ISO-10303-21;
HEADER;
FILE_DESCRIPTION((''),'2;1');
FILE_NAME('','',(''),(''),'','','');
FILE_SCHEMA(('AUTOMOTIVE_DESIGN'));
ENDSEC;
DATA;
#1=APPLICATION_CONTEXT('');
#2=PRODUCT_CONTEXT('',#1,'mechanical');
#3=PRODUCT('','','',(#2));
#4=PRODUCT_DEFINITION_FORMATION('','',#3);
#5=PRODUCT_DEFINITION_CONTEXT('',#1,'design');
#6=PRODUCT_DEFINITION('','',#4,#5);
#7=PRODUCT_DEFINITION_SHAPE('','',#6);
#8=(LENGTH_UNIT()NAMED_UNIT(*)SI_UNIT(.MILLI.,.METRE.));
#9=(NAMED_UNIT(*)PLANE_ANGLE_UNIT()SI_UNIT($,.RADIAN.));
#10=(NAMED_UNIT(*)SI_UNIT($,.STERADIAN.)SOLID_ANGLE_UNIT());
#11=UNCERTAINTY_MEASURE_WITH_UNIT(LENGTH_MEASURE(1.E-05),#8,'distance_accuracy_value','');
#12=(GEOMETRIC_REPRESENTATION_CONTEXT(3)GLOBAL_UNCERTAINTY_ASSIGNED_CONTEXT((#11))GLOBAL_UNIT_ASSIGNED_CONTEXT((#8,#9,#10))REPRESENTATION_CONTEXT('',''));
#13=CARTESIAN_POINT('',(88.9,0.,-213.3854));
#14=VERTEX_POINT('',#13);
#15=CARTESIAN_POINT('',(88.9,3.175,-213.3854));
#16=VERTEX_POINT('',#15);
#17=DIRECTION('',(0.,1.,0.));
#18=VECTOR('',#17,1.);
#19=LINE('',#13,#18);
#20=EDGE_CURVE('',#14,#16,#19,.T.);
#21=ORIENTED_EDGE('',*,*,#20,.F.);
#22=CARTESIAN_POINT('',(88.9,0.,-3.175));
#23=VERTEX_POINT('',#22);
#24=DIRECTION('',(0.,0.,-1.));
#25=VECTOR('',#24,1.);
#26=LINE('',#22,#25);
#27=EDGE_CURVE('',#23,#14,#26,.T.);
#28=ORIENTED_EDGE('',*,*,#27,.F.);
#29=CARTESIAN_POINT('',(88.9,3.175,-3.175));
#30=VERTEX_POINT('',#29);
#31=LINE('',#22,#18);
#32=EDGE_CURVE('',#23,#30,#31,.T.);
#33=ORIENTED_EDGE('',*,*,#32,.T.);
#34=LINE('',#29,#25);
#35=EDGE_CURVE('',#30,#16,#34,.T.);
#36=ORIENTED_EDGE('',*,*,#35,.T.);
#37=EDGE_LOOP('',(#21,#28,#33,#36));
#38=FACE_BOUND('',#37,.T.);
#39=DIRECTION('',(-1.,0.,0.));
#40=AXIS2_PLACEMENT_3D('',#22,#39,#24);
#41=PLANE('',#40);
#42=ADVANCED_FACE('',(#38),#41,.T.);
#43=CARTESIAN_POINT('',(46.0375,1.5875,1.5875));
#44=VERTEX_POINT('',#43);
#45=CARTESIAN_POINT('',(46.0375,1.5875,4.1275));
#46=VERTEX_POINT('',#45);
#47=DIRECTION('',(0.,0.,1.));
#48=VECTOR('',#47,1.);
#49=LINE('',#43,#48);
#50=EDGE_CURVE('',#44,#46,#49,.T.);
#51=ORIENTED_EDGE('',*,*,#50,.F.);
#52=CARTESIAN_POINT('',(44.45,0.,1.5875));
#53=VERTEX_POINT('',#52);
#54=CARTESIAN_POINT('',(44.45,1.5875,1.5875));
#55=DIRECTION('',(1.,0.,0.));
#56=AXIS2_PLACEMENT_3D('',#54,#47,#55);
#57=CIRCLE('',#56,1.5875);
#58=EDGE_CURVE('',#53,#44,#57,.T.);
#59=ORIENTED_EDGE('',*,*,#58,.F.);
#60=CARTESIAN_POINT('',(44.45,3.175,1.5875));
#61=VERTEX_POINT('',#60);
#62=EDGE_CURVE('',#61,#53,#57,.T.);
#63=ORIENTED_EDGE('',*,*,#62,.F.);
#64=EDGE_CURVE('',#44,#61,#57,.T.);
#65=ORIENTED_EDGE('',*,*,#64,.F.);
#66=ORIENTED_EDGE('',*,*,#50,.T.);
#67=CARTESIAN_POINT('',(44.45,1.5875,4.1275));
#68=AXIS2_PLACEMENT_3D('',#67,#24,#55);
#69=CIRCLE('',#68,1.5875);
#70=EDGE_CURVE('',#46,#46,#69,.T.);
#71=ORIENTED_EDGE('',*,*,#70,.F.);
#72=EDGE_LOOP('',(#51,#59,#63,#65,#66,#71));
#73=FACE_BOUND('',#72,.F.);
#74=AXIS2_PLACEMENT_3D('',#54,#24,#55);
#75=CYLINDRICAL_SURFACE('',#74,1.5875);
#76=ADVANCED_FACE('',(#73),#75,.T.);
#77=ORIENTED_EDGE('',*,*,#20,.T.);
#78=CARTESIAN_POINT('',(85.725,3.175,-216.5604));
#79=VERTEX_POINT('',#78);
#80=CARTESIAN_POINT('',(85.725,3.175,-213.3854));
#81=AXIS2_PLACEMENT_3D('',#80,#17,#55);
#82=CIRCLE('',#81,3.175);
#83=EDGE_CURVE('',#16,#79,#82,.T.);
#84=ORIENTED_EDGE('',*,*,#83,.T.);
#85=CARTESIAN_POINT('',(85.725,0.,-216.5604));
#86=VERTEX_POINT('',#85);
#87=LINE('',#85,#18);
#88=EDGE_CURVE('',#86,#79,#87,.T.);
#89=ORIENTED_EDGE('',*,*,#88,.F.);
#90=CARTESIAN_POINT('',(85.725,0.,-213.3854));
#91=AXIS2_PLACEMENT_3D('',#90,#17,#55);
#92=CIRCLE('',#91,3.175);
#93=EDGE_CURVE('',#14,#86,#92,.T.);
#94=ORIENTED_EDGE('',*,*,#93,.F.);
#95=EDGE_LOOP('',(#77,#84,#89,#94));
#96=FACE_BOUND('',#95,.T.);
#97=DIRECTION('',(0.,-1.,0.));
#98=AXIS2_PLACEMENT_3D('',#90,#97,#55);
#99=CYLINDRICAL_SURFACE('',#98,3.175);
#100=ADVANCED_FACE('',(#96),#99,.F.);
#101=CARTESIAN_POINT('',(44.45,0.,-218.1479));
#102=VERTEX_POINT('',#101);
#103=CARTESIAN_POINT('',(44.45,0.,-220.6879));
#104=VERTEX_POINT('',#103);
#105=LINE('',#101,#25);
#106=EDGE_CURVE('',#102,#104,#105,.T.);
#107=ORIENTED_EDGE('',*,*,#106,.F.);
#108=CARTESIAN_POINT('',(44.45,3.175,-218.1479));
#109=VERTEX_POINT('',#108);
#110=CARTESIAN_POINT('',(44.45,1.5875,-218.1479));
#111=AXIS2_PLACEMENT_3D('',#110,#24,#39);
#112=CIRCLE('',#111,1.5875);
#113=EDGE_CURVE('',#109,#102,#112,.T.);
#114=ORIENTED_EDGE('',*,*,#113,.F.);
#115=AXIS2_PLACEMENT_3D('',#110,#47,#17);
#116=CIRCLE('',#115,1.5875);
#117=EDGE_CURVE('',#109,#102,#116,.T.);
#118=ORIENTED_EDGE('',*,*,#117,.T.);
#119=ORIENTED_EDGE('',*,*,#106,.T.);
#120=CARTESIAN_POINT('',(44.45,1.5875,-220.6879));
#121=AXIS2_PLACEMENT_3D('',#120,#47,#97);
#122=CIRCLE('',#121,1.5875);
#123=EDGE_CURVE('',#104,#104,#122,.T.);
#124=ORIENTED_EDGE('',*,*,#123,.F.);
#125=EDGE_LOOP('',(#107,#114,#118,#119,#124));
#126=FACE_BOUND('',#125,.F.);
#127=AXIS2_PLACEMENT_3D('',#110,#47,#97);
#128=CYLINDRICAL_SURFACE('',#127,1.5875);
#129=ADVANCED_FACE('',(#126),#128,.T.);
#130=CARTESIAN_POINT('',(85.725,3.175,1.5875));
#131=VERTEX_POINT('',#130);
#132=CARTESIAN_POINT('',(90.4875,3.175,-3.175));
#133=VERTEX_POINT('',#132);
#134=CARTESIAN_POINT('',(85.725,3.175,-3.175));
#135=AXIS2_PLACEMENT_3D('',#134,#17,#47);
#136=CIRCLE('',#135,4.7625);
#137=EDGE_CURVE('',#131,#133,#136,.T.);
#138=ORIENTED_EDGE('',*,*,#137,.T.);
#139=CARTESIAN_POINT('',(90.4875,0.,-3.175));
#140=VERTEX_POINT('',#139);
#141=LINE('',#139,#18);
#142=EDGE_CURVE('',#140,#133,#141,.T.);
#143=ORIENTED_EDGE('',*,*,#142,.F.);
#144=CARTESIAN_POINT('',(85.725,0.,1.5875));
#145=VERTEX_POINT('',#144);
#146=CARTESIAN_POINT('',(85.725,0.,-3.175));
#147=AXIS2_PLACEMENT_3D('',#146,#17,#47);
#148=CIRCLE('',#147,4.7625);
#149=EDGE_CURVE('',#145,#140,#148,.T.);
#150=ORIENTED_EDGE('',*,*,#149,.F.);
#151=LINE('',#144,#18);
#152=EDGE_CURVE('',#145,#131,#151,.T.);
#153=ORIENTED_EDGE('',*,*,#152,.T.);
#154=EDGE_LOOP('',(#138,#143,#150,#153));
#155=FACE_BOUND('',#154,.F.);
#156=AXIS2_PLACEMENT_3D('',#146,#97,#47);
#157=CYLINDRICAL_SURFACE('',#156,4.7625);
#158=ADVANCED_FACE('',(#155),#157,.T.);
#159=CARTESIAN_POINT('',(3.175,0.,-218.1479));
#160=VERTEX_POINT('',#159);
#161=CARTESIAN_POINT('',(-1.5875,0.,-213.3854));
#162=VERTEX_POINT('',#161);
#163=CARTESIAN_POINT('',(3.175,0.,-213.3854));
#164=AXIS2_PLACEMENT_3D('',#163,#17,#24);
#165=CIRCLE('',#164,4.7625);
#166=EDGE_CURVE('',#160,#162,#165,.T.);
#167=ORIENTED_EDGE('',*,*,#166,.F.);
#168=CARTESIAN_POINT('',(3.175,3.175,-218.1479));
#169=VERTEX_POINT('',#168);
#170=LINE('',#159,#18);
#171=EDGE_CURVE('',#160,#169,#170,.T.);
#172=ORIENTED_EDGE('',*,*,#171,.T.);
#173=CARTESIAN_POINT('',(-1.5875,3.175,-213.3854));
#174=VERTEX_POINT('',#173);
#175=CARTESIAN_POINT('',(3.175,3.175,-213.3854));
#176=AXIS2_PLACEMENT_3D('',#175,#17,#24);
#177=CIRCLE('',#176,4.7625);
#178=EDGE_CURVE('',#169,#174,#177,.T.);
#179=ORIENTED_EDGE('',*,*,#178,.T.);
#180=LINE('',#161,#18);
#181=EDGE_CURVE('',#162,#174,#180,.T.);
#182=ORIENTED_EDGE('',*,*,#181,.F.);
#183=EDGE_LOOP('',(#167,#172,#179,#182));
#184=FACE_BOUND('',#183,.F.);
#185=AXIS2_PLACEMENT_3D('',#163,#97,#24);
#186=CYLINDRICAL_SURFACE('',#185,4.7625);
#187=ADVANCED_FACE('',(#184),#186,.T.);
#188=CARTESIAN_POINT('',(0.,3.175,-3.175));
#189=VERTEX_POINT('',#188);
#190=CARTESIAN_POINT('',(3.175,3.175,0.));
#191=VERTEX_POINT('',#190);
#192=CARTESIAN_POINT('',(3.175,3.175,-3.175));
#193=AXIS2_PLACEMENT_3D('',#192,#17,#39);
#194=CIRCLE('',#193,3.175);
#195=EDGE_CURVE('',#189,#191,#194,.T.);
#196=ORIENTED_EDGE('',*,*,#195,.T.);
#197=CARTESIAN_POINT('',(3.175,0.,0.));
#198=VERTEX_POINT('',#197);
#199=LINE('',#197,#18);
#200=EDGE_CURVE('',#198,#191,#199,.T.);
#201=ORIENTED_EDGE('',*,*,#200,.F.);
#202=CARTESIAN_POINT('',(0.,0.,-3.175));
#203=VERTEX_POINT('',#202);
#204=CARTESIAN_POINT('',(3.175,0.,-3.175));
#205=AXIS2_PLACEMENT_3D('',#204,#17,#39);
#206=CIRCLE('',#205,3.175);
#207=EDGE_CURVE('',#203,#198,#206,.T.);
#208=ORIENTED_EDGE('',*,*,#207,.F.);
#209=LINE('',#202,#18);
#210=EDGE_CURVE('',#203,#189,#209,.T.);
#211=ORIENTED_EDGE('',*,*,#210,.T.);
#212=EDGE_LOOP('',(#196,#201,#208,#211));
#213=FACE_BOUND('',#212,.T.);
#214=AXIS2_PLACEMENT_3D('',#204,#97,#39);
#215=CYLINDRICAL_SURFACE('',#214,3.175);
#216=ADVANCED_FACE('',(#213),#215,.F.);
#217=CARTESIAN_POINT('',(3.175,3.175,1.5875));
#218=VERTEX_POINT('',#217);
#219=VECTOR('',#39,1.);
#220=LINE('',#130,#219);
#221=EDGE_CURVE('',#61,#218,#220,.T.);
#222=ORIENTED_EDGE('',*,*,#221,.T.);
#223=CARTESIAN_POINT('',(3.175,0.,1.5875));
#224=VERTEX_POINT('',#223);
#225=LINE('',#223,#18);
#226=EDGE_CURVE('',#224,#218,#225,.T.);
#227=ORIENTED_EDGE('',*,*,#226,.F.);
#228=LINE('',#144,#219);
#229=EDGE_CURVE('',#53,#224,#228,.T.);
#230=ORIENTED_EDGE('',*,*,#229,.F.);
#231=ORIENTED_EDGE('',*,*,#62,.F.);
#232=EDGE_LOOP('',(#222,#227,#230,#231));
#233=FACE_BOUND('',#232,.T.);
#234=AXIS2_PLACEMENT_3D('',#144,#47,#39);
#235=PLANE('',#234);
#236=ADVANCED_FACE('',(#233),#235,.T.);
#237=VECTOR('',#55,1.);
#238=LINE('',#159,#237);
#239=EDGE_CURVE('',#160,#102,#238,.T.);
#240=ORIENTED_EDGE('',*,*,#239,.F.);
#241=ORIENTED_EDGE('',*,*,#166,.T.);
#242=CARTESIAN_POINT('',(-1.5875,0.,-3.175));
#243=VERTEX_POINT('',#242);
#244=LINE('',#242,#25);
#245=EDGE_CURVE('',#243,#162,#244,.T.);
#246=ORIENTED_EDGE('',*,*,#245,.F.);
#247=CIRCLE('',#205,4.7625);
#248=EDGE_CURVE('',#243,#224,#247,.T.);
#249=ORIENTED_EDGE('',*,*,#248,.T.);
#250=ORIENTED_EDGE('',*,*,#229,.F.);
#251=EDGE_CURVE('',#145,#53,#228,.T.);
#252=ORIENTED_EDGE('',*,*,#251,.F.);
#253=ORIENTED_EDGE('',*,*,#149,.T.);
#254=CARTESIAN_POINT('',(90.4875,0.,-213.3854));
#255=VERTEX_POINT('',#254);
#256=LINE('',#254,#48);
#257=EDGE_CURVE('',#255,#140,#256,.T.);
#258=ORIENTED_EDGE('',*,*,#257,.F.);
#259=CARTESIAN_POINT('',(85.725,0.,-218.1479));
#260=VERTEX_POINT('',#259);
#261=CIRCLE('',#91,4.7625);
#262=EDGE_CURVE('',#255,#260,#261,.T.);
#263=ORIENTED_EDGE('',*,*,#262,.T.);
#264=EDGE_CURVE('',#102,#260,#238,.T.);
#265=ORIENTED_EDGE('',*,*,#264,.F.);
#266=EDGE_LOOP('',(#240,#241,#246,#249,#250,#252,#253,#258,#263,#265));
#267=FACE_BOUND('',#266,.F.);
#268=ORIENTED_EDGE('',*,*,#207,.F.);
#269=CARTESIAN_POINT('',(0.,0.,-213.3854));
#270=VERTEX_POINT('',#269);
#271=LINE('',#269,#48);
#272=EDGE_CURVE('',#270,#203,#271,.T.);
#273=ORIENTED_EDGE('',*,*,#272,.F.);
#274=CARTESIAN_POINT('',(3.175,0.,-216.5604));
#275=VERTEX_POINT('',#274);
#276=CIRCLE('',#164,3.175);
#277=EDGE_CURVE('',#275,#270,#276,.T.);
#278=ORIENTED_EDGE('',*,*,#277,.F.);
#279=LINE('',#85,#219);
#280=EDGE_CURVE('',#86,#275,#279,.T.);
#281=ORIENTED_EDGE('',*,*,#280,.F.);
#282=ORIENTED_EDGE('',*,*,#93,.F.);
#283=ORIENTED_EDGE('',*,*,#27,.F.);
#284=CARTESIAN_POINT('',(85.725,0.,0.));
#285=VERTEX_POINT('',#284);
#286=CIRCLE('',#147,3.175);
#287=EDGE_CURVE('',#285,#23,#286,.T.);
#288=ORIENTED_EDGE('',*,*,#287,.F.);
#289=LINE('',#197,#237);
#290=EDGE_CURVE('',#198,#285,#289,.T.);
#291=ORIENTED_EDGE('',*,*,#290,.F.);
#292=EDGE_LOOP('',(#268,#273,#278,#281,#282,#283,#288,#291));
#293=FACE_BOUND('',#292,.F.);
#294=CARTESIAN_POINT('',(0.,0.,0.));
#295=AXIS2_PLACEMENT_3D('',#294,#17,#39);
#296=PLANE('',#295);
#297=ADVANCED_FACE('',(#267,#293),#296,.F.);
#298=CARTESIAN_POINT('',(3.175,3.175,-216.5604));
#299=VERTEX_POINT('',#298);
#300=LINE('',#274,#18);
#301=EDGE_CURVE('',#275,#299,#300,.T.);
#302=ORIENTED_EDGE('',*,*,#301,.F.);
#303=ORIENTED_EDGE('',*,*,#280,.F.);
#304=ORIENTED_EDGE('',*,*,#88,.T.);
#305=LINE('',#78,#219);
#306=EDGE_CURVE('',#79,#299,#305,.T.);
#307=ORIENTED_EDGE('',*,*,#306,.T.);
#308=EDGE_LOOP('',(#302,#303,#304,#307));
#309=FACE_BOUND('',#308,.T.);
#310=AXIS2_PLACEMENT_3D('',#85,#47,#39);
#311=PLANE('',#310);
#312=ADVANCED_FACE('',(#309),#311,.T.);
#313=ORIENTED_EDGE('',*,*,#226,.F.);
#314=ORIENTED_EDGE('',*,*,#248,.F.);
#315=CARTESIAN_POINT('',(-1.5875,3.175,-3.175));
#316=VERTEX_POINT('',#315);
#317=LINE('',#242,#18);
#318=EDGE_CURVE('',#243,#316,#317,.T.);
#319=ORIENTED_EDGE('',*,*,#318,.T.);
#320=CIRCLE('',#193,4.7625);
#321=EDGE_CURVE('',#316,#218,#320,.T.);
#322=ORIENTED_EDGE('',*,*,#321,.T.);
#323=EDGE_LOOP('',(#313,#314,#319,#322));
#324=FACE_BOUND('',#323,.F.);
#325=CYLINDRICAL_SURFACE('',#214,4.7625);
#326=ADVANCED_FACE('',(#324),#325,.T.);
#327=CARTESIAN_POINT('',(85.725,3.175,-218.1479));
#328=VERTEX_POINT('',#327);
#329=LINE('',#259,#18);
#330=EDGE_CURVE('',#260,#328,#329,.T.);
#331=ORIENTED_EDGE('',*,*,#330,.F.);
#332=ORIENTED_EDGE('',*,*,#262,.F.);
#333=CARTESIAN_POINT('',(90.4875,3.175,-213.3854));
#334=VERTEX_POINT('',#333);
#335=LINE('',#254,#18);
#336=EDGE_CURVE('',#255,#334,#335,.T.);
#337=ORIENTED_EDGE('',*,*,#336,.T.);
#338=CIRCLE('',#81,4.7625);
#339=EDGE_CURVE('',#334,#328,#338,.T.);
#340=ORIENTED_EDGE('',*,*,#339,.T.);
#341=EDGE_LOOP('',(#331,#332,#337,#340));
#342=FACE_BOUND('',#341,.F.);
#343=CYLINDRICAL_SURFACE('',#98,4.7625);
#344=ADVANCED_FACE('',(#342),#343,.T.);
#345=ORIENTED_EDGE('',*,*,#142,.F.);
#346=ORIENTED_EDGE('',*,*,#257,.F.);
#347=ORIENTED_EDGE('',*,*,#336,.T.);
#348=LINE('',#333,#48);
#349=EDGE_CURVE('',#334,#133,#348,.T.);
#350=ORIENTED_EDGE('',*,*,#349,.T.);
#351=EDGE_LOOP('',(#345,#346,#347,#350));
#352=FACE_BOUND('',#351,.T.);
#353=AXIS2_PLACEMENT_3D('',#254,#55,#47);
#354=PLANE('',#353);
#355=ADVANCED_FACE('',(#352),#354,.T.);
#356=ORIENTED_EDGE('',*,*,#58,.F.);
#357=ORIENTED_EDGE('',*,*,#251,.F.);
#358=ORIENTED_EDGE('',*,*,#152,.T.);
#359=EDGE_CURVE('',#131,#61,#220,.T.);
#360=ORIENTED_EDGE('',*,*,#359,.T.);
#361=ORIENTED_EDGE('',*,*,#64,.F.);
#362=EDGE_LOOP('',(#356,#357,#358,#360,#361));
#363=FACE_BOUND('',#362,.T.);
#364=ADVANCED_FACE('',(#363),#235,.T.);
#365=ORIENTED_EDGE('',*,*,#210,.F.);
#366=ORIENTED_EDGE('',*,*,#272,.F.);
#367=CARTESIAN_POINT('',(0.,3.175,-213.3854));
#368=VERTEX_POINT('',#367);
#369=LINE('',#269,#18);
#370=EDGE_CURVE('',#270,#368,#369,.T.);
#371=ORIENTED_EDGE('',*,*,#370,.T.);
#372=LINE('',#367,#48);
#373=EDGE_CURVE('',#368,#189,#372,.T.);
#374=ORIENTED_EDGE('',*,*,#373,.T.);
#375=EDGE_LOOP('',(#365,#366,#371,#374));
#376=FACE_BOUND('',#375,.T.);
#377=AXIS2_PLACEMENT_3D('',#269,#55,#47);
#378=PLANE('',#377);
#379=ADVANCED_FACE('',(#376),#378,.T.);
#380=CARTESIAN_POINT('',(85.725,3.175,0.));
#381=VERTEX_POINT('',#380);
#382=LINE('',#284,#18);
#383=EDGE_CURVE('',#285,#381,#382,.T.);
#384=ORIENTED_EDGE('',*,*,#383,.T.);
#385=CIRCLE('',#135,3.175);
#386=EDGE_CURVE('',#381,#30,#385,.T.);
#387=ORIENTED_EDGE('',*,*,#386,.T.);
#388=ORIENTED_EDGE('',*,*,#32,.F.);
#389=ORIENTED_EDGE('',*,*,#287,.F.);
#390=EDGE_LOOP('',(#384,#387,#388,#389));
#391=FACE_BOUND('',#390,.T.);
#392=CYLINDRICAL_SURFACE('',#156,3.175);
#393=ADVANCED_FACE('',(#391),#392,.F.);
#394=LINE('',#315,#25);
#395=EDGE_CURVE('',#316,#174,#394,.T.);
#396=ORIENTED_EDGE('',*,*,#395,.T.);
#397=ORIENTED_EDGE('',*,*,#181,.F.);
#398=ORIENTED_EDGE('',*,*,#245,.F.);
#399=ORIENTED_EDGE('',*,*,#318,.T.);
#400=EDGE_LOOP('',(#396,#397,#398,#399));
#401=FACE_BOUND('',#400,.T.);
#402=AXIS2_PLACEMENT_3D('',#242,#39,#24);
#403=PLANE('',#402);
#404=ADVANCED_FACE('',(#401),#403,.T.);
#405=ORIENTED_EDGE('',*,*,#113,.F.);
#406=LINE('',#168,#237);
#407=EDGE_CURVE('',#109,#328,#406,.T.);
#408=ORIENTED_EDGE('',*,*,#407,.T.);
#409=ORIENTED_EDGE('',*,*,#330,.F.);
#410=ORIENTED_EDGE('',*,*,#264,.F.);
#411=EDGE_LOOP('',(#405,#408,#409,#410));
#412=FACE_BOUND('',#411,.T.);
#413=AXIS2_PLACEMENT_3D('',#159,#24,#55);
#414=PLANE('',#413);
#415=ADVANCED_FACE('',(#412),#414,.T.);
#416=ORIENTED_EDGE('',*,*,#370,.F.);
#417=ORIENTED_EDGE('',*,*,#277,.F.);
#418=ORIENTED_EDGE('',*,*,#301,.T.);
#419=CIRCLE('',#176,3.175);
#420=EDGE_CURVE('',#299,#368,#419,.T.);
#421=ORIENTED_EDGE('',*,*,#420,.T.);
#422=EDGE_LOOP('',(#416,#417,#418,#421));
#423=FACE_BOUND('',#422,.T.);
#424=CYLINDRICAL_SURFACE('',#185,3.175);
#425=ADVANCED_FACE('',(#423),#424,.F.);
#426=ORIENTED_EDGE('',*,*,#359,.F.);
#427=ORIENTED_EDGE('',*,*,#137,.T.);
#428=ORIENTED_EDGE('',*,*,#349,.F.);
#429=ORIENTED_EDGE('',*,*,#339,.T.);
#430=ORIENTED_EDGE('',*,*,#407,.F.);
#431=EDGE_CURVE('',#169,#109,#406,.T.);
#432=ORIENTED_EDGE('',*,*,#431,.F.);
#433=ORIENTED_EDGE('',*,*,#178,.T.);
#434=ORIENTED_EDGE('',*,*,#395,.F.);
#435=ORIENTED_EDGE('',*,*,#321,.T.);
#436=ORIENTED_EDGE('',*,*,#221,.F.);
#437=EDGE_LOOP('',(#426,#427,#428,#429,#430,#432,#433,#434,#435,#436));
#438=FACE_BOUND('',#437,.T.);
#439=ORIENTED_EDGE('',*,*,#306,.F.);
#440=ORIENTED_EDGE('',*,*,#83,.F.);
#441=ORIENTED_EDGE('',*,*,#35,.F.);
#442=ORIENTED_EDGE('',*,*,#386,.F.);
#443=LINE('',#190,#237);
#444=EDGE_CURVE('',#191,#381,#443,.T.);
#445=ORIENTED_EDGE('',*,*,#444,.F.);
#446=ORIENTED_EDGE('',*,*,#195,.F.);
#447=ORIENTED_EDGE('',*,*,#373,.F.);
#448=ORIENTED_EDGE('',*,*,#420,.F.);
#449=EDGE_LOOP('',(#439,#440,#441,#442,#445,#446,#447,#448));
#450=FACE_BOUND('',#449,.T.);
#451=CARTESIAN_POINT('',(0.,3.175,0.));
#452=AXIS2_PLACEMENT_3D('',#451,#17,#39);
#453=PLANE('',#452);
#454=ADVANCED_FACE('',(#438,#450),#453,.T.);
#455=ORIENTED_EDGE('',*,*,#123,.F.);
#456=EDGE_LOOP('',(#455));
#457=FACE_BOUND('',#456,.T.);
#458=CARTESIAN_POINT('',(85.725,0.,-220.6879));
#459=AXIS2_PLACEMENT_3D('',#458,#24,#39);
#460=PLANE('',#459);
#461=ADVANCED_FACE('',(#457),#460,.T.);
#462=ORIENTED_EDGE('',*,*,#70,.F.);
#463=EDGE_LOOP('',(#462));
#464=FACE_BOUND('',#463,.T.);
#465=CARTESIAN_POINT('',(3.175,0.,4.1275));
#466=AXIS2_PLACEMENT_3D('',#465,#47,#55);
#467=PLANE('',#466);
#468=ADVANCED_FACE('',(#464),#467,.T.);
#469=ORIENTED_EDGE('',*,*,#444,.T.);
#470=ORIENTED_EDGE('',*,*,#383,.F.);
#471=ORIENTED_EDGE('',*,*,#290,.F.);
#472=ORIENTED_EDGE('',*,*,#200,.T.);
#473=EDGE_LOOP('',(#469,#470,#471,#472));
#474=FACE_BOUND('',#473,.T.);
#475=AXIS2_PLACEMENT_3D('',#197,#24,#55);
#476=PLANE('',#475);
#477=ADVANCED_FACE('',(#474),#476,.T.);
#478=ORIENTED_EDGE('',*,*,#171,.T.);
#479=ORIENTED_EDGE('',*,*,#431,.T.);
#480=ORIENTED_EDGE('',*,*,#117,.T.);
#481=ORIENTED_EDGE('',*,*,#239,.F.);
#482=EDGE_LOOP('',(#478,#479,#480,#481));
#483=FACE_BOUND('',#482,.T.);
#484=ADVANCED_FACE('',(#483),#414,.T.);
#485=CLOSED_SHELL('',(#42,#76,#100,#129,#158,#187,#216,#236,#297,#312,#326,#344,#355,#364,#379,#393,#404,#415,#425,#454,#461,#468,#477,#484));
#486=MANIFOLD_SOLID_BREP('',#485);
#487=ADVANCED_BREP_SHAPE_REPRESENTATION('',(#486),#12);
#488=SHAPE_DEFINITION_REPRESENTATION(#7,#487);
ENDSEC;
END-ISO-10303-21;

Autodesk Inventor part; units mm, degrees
ref_plane "YZ Plane" through (0, 0, 0) normal (1, 0, 0) x (0, 1, 0)
ref_plane "XZ Plane" through (0, 0, 0) normal (0, 1, 0) x (-1, 0, 0)
ref_plane "XY Plane" through (0, 0, 0) normal (0, 0, 1) x (1, 0, 0)
sketch "Sketch1" plane through (0, 0, 0) normal (0, 1, 0) x (-1, 0, 0)
  line L0 (-3.175, 0) -> (-85.725, 0)
  line L1 (-88.9, -3.175) -> (-88.9, -213.3854)
  line L2 (-85.725, -216.5604) -> (-3.175, -216.5604)
  line L3 (0, -213.3854) -> (0, -3.175)
  arc A0 (0, -3.175) -> (-3.175, 0) centre (-3.175, -3.175) ccw
  arc A1 (-85.725, 0) -> (-88.9, -3.175) centre (-85.725, -3.175) ccw
  arc A2 (-88.9, -213.3854) -> (-85.725, -216.5604) centre (-85.725, -213.3854) ccw
  arc A3 (-3.175, -216.5604) -> (0, -213.3854) centre (-3.175, -213.3854) ccw
  line L4 (1.5875, -3.175) -> (1.5875, -213.3854)
  arc A4 (-3.175, -218.1479) -> (1.5875, -213.3854) centre (-3.175, -213.3854) ccw
  line L5 (-3.175, -218.1479) -> (-85.725, -218.1479)
  arc A5 (-90.4875, -213.3854) -> (-85.725, -218.1479) centre (-85.725, -213.3854) ccw
  line L6 (-90.4875, -213.3854) -> (-90.4875, -3.175)
  arc A6 (-85.725, 1.5875) -> (-90.4875, -3.175) centre (-85.725, -3.175) ccw
  line L7 (-85.725, 1.5875) -> (-3.175, 1.5875)
  arc A7 (1.5875, -3.175) -> (-3.175, 1.5875) centre (-3.175, -3.175) ccw
  point P0 (0, 0)
  point P1 (-88.9, -216.5604)
  point P2 (-88.9, 0)
  point P3 (0, -216.5604)
  dimension "d0" = 88.9
  dimension "d1" = 216.5604
  dimension "d2" = 3.175
extrude "Extrusion2" add sketch "Sketch1" along normal blind 3.175
sketch "Sketch4" plane through (3.175, 0, 1.5875) normal (0, 0, 1) x (1, 0, 0)
  circle A0 centre (41.275, 1.5875) radius 1.5875
  line L0 (0, 0) -> (0, 3.175) projected
  line L1 (0, 0) -> (82.55, 0) projected
  point P0 (-3.175, 0)
  dimension "d11" = 3.175
  dimension "d12" = 41.275
  dimension "d13" = 1.5875
extrude "Extrusion3" add sketch "Sketch4" along normal blind 2.54
sketch "Sketch5" plane through (85.725, 0, -218.1479) normal (0, 0, -1) x (-1, 0, 0)
  arc A0 (41.275, 0) -> (41.275, 3.175) centre (41.275, 1.5875) ccw projected
  circle A1 centre (41.275, 1.5875) radius 1.5875
  point P0 (85.725, 0)
  point P1 (41.275, 3.175)
  point P2 (41.275, 0)
extrude "Extrusion4" add sketch "Sketch5" along normal blind 2.54
properties part number "30t_8.5_in"
